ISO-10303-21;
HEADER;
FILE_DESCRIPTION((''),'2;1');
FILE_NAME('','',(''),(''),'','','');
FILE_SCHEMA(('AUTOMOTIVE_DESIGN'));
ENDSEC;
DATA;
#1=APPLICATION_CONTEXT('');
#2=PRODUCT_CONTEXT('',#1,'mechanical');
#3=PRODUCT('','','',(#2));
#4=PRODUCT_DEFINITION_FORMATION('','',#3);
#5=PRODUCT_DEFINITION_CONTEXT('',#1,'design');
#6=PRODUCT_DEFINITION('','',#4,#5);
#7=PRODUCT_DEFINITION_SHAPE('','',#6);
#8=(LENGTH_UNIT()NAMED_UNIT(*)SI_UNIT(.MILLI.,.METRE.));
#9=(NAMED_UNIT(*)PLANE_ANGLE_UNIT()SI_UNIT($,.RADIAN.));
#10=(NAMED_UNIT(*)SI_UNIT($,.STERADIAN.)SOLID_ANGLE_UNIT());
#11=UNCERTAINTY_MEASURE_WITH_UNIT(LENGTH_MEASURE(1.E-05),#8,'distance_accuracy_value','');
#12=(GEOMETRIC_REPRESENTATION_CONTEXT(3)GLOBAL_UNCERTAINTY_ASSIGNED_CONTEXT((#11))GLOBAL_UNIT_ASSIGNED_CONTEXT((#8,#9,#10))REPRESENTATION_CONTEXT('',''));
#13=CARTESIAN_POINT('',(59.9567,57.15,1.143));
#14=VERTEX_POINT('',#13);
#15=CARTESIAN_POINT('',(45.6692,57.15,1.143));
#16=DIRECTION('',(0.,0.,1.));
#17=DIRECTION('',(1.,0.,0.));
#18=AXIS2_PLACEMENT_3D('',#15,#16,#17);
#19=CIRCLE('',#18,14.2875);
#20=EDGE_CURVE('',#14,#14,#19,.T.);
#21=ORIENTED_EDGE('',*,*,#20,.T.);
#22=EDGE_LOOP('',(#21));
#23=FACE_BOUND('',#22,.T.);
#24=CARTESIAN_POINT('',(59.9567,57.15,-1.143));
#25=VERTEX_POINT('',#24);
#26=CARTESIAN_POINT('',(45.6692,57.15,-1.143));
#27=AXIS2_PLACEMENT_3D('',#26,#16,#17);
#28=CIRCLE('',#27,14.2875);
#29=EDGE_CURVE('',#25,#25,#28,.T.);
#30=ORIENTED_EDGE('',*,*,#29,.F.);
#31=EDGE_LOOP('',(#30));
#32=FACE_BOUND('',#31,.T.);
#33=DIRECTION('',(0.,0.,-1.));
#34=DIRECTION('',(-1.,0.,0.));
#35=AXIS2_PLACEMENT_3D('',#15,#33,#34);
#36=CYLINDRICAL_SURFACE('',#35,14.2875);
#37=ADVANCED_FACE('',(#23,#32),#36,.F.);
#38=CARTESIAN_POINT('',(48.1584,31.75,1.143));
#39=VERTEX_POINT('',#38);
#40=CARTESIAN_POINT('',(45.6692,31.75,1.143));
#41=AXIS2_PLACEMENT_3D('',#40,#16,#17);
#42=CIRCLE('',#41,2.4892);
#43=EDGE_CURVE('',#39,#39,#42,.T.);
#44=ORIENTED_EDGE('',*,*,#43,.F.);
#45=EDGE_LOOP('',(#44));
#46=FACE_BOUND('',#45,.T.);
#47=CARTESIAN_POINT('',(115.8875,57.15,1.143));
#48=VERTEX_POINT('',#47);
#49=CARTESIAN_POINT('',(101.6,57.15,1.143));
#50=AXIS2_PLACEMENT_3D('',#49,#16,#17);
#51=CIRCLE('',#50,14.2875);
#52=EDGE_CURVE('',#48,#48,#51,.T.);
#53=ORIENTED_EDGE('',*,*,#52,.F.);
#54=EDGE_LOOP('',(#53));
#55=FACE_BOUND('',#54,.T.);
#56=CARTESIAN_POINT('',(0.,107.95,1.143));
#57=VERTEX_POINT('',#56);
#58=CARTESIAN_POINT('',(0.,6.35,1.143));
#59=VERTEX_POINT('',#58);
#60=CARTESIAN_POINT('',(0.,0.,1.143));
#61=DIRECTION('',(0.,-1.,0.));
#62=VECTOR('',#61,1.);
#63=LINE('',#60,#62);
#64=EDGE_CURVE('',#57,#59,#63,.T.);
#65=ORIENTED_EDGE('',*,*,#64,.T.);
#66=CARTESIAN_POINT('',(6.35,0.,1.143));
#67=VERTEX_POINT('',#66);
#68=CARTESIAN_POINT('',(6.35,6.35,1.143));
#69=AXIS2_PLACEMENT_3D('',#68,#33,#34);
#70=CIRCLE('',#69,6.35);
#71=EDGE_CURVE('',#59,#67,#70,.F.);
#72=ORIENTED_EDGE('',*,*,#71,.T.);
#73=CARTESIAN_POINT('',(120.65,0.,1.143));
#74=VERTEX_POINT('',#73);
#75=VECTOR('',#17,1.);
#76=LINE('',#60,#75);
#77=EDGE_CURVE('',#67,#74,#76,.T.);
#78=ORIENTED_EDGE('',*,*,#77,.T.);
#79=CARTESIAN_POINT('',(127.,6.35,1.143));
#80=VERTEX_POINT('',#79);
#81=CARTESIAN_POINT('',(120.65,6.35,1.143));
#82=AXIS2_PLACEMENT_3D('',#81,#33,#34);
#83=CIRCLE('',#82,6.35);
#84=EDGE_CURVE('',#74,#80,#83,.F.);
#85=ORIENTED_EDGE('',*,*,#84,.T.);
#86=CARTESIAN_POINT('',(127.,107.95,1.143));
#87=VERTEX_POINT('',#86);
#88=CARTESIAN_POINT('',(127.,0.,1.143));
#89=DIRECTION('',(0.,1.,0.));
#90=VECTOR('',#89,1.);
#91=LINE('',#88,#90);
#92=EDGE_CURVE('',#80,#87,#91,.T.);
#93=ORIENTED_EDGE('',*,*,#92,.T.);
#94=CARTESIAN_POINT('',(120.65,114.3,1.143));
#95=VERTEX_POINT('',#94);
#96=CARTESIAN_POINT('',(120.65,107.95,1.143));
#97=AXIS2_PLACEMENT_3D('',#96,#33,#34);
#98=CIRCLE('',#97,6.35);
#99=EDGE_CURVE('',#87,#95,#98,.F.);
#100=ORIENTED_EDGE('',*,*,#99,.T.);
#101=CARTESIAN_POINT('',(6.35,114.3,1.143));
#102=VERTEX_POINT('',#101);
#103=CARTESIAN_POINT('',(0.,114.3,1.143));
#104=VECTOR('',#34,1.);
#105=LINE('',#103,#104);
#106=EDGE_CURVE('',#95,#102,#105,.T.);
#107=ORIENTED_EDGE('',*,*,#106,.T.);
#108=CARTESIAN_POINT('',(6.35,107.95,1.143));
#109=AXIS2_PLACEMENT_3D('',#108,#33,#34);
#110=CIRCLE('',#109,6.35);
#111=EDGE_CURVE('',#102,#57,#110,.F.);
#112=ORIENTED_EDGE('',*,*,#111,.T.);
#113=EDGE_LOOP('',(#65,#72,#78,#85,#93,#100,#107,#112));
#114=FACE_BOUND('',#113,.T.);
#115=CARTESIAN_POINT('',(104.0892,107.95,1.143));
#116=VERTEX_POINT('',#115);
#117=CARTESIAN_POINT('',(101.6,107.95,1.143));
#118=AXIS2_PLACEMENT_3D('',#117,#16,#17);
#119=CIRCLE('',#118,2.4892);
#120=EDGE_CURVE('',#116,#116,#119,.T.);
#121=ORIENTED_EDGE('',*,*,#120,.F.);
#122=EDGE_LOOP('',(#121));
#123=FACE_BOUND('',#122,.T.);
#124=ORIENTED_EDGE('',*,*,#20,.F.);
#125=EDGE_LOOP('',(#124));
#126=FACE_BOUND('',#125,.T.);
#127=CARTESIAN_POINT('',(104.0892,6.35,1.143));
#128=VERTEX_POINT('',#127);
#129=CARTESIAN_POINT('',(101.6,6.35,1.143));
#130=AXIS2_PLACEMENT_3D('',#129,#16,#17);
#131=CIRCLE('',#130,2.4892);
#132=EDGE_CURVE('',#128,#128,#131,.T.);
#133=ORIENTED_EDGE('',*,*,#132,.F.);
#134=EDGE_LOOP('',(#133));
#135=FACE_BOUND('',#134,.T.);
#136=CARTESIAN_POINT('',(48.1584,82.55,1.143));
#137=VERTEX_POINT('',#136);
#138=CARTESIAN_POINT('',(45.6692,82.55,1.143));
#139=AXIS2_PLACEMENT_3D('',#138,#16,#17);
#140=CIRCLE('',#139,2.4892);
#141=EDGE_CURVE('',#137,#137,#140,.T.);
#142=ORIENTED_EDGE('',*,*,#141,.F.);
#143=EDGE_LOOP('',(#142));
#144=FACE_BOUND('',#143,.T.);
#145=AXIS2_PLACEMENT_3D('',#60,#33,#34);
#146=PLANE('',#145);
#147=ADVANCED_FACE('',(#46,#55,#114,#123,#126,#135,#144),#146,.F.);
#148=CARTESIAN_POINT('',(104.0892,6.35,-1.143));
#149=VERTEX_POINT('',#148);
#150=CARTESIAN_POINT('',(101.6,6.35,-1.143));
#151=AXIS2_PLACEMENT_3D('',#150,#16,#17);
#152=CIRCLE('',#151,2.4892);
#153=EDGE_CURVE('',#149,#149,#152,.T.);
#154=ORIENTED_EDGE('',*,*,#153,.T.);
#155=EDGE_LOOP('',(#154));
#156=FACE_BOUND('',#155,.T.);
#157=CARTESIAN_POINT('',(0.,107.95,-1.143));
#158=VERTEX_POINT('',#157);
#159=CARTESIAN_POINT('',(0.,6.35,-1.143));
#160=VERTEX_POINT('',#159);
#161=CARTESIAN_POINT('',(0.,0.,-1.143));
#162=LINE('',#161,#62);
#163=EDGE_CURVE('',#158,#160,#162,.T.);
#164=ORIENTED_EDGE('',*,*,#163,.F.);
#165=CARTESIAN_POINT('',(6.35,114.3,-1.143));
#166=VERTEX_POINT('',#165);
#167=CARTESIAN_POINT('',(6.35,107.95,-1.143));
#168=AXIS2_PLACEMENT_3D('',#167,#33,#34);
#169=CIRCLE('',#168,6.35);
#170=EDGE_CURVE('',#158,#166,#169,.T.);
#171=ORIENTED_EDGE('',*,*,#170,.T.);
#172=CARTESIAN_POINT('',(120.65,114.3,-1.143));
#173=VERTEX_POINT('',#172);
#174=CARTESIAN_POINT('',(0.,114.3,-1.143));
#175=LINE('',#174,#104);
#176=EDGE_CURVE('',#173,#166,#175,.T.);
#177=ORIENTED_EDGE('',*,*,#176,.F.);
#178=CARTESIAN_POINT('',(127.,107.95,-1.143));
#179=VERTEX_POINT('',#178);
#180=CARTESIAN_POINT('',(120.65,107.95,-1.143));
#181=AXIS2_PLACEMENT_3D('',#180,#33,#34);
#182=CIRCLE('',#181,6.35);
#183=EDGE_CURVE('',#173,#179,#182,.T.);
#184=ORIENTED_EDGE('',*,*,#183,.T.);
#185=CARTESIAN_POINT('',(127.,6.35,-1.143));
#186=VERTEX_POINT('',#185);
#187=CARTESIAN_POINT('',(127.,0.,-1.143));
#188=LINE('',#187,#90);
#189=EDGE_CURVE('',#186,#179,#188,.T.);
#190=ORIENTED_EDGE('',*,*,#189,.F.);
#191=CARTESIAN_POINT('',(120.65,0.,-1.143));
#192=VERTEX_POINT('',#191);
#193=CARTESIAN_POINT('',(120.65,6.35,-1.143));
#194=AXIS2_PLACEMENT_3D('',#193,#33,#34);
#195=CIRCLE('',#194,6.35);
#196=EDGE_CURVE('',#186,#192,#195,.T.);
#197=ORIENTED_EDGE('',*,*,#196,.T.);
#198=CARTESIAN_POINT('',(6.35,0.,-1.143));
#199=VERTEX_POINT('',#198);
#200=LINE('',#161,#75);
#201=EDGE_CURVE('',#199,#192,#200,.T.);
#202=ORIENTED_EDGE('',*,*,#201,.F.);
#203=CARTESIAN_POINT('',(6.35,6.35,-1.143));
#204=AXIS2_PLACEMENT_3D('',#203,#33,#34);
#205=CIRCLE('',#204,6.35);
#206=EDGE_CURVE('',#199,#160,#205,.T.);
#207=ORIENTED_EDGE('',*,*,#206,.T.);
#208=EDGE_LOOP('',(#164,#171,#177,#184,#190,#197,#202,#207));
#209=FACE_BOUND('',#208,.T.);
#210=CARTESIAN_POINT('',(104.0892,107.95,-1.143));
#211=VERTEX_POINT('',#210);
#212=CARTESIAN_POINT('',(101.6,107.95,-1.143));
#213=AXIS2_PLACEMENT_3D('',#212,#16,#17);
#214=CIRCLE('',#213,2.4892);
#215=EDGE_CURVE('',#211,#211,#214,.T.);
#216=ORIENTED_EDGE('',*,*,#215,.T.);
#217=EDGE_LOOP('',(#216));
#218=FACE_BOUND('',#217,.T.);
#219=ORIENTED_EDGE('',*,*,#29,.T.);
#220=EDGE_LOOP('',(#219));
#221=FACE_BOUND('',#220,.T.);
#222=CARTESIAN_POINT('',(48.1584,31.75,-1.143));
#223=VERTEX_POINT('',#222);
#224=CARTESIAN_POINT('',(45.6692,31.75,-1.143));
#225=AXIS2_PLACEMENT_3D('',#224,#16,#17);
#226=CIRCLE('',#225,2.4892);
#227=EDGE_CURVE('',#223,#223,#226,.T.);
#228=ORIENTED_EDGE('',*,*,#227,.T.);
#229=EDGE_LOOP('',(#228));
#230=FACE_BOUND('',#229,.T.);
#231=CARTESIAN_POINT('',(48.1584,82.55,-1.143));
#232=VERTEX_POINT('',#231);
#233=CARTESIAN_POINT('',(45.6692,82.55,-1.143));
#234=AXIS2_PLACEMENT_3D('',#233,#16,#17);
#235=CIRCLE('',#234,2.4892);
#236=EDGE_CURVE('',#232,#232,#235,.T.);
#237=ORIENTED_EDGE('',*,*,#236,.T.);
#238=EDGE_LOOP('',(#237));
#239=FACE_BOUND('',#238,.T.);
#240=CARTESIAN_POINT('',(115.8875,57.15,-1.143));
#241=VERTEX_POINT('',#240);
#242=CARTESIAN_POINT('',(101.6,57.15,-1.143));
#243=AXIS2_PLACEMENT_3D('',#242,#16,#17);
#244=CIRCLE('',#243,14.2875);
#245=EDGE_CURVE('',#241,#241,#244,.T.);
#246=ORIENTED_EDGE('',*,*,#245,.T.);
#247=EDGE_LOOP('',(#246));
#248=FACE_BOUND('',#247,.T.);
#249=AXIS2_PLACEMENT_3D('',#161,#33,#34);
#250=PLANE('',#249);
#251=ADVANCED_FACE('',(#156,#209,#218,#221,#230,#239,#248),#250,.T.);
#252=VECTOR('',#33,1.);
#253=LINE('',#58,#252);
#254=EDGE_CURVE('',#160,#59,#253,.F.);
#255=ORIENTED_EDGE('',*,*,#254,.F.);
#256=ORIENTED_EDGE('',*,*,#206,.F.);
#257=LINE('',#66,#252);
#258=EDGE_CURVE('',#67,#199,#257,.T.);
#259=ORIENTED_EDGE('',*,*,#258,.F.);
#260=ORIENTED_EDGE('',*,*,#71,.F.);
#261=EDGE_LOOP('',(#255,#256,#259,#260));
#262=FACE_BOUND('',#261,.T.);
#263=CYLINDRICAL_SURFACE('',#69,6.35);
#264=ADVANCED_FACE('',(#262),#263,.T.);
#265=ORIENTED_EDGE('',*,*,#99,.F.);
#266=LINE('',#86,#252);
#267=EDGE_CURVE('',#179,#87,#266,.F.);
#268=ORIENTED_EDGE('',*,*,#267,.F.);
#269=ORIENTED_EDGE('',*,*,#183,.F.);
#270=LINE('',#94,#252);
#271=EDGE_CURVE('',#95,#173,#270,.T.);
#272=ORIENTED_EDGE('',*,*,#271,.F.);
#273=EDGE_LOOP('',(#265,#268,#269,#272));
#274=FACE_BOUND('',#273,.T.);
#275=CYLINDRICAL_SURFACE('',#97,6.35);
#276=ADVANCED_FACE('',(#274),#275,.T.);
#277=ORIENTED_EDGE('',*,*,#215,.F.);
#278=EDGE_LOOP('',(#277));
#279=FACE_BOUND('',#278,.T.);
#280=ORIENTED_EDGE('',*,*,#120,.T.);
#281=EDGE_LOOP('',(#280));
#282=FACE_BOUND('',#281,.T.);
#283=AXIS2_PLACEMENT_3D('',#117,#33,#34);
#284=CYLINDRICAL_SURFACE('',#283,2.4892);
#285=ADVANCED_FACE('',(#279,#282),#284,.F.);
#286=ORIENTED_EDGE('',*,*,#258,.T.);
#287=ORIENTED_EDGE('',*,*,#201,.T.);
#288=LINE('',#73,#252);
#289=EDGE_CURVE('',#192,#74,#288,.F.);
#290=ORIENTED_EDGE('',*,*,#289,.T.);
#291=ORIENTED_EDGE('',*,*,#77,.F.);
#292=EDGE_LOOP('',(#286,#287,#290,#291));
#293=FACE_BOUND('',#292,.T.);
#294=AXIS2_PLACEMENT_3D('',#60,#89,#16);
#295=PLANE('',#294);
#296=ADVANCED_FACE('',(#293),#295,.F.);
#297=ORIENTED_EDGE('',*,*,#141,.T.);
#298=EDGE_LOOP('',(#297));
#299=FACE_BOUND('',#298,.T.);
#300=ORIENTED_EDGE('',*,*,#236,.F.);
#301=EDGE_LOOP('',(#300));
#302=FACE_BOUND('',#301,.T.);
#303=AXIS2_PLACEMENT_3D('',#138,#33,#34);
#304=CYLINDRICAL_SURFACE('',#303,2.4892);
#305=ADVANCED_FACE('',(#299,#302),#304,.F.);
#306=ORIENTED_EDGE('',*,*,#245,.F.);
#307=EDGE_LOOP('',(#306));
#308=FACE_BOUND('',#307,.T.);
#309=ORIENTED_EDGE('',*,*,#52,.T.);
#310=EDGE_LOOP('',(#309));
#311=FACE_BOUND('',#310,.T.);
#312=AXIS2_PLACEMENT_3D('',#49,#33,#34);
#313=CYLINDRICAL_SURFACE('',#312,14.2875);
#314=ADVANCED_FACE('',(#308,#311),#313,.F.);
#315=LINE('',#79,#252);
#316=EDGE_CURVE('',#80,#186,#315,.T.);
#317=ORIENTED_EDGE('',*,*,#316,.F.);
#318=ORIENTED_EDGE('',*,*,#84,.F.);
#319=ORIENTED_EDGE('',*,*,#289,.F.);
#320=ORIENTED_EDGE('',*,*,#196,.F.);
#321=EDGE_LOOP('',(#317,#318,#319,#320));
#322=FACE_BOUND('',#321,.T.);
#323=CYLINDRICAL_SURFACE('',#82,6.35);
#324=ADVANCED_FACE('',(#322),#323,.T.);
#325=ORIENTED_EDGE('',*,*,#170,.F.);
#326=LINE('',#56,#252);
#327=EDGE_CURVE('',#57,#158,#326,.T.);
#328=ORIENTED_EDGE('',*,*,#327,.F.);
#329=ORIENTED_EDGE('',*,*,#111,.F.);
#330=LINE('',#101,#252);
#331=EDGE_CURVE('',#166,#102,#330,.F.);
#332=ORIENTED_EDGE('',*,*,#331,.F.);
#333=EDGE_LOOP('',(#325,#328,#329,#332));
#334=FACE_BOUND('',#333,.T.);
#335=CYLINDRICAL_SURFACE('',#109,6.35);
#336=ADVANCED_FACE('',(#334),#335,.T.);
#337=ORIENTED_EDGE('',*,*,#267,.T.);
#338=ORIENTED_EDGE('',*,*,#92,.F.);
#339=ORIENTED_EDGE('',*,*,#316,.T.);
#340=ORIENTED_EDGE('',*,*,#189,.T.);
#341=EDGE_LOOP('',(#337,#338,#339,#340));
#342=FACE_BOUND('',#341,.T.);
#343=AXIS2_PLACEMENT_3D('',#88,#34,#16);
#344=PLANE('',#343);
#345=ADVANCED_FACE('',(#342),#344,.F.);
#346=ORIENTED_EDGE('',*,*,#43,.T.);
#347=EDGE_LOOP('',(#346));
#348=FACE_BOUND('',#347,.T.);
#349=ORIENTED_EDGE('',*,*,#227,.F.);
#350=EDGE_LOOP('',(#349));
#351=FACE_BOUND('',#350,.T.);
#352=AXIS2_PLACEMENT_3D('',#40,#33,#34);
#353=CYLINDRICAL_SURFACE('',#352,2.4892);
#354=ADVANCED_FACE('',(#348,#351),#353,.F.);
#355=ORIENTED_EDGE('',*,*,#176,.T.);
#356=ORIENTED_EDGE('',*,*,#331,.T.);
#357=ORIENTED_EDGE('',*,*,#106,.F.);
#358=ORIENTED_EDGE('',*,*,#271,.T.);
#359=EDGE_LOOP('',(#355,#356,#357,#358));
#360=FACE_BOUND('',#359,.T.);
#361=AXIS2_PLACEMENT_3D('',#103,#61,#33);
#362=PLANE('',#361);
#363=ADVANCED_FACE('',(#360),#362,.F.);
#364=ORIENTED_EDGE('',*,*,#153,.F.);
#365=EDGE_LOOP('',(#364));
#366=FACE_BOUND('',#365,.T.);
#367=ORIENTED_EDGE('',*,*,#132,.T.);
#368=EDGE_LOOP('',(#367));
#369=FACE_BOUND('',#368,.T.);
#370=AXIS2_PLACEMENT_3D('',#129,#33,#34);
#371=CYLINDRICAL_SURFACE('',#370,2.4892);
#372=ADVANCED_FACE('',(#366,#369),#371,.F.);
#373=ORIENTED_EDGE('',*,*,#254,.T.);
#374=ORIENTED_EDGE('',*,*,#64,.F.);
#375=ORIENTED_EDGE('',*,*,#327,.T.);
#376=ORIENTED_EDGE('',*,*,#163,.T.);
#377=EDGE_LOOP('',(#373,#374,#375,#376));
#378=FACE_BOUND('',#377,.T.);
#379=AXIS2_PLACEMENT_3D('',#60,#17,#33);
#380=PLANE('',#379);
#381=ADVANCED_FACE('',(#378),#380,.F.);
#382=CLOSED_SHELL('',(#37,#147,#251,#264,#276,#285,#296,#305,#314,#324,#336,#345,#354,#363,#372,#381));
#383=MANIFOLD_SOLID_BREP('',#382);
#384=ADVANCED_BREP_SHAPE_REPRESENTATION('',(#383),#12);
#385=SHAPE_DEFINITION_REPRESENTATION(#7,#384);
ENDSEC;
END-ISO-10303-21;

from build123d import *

# Parameters (mm, degrees)
SKETCH1_W           = 127
SKETCH1_H           = 114.3
SKETCH1_R           = 2.4892
SKETCH1_R_2         = 14.2875
BOSS_EXTRUDE1_DEPTH = 1.143
FILLET1_R           = 6.35


with BuildPart() as part:
    # Sketch1 → Boss-Extrude1 (new, symmetric)
    with BuildSketch(Plane.XY):
        with Locations((63.5, 57.15)):
            Rectangle(SKETCH1_W, SKETCH1_H)
        with Locations((45.6692, 82.55)):
            Circle(SKETCH1_R, mode=Mode.SUBTRACT)
        with Locations((45.6692, 57.15)):
            Circle(SKETCH1_R_2, mode=Mode.SUBTRACT)
        with Locations((45.6692, 31.75)):
            Circle(SKETCH1_R, mode=Mode.SUBTRACT)
        with Locations((101.6, 107.95)):
            Circle(SKETCH1_R, mode=Mode.SUBTRACT)
        with Locations((101.6, 57.15)):
            Circle(SKETCH1_R_2, mode=Mode.SUBTRACT)
        with Locations((101.6, 6.35)):
            Circle(SKETCH1_R, mode=Mode.SUBTRACT)
    extrude(amount=BOSS_EXTRUDE1_DEPTH, both=True)

    # Fillet1
    fillet1_edges = [part.edges().sort_by_distance(p)[0] for p in [
        (0, 114.3, 0),
        (127, 114.3, 0),
        (127, 0, 0),
        (0, 0, 0),
    ]]
    fillet(fillet1_edges, radius=FILLET1_R)


solid = part.part
